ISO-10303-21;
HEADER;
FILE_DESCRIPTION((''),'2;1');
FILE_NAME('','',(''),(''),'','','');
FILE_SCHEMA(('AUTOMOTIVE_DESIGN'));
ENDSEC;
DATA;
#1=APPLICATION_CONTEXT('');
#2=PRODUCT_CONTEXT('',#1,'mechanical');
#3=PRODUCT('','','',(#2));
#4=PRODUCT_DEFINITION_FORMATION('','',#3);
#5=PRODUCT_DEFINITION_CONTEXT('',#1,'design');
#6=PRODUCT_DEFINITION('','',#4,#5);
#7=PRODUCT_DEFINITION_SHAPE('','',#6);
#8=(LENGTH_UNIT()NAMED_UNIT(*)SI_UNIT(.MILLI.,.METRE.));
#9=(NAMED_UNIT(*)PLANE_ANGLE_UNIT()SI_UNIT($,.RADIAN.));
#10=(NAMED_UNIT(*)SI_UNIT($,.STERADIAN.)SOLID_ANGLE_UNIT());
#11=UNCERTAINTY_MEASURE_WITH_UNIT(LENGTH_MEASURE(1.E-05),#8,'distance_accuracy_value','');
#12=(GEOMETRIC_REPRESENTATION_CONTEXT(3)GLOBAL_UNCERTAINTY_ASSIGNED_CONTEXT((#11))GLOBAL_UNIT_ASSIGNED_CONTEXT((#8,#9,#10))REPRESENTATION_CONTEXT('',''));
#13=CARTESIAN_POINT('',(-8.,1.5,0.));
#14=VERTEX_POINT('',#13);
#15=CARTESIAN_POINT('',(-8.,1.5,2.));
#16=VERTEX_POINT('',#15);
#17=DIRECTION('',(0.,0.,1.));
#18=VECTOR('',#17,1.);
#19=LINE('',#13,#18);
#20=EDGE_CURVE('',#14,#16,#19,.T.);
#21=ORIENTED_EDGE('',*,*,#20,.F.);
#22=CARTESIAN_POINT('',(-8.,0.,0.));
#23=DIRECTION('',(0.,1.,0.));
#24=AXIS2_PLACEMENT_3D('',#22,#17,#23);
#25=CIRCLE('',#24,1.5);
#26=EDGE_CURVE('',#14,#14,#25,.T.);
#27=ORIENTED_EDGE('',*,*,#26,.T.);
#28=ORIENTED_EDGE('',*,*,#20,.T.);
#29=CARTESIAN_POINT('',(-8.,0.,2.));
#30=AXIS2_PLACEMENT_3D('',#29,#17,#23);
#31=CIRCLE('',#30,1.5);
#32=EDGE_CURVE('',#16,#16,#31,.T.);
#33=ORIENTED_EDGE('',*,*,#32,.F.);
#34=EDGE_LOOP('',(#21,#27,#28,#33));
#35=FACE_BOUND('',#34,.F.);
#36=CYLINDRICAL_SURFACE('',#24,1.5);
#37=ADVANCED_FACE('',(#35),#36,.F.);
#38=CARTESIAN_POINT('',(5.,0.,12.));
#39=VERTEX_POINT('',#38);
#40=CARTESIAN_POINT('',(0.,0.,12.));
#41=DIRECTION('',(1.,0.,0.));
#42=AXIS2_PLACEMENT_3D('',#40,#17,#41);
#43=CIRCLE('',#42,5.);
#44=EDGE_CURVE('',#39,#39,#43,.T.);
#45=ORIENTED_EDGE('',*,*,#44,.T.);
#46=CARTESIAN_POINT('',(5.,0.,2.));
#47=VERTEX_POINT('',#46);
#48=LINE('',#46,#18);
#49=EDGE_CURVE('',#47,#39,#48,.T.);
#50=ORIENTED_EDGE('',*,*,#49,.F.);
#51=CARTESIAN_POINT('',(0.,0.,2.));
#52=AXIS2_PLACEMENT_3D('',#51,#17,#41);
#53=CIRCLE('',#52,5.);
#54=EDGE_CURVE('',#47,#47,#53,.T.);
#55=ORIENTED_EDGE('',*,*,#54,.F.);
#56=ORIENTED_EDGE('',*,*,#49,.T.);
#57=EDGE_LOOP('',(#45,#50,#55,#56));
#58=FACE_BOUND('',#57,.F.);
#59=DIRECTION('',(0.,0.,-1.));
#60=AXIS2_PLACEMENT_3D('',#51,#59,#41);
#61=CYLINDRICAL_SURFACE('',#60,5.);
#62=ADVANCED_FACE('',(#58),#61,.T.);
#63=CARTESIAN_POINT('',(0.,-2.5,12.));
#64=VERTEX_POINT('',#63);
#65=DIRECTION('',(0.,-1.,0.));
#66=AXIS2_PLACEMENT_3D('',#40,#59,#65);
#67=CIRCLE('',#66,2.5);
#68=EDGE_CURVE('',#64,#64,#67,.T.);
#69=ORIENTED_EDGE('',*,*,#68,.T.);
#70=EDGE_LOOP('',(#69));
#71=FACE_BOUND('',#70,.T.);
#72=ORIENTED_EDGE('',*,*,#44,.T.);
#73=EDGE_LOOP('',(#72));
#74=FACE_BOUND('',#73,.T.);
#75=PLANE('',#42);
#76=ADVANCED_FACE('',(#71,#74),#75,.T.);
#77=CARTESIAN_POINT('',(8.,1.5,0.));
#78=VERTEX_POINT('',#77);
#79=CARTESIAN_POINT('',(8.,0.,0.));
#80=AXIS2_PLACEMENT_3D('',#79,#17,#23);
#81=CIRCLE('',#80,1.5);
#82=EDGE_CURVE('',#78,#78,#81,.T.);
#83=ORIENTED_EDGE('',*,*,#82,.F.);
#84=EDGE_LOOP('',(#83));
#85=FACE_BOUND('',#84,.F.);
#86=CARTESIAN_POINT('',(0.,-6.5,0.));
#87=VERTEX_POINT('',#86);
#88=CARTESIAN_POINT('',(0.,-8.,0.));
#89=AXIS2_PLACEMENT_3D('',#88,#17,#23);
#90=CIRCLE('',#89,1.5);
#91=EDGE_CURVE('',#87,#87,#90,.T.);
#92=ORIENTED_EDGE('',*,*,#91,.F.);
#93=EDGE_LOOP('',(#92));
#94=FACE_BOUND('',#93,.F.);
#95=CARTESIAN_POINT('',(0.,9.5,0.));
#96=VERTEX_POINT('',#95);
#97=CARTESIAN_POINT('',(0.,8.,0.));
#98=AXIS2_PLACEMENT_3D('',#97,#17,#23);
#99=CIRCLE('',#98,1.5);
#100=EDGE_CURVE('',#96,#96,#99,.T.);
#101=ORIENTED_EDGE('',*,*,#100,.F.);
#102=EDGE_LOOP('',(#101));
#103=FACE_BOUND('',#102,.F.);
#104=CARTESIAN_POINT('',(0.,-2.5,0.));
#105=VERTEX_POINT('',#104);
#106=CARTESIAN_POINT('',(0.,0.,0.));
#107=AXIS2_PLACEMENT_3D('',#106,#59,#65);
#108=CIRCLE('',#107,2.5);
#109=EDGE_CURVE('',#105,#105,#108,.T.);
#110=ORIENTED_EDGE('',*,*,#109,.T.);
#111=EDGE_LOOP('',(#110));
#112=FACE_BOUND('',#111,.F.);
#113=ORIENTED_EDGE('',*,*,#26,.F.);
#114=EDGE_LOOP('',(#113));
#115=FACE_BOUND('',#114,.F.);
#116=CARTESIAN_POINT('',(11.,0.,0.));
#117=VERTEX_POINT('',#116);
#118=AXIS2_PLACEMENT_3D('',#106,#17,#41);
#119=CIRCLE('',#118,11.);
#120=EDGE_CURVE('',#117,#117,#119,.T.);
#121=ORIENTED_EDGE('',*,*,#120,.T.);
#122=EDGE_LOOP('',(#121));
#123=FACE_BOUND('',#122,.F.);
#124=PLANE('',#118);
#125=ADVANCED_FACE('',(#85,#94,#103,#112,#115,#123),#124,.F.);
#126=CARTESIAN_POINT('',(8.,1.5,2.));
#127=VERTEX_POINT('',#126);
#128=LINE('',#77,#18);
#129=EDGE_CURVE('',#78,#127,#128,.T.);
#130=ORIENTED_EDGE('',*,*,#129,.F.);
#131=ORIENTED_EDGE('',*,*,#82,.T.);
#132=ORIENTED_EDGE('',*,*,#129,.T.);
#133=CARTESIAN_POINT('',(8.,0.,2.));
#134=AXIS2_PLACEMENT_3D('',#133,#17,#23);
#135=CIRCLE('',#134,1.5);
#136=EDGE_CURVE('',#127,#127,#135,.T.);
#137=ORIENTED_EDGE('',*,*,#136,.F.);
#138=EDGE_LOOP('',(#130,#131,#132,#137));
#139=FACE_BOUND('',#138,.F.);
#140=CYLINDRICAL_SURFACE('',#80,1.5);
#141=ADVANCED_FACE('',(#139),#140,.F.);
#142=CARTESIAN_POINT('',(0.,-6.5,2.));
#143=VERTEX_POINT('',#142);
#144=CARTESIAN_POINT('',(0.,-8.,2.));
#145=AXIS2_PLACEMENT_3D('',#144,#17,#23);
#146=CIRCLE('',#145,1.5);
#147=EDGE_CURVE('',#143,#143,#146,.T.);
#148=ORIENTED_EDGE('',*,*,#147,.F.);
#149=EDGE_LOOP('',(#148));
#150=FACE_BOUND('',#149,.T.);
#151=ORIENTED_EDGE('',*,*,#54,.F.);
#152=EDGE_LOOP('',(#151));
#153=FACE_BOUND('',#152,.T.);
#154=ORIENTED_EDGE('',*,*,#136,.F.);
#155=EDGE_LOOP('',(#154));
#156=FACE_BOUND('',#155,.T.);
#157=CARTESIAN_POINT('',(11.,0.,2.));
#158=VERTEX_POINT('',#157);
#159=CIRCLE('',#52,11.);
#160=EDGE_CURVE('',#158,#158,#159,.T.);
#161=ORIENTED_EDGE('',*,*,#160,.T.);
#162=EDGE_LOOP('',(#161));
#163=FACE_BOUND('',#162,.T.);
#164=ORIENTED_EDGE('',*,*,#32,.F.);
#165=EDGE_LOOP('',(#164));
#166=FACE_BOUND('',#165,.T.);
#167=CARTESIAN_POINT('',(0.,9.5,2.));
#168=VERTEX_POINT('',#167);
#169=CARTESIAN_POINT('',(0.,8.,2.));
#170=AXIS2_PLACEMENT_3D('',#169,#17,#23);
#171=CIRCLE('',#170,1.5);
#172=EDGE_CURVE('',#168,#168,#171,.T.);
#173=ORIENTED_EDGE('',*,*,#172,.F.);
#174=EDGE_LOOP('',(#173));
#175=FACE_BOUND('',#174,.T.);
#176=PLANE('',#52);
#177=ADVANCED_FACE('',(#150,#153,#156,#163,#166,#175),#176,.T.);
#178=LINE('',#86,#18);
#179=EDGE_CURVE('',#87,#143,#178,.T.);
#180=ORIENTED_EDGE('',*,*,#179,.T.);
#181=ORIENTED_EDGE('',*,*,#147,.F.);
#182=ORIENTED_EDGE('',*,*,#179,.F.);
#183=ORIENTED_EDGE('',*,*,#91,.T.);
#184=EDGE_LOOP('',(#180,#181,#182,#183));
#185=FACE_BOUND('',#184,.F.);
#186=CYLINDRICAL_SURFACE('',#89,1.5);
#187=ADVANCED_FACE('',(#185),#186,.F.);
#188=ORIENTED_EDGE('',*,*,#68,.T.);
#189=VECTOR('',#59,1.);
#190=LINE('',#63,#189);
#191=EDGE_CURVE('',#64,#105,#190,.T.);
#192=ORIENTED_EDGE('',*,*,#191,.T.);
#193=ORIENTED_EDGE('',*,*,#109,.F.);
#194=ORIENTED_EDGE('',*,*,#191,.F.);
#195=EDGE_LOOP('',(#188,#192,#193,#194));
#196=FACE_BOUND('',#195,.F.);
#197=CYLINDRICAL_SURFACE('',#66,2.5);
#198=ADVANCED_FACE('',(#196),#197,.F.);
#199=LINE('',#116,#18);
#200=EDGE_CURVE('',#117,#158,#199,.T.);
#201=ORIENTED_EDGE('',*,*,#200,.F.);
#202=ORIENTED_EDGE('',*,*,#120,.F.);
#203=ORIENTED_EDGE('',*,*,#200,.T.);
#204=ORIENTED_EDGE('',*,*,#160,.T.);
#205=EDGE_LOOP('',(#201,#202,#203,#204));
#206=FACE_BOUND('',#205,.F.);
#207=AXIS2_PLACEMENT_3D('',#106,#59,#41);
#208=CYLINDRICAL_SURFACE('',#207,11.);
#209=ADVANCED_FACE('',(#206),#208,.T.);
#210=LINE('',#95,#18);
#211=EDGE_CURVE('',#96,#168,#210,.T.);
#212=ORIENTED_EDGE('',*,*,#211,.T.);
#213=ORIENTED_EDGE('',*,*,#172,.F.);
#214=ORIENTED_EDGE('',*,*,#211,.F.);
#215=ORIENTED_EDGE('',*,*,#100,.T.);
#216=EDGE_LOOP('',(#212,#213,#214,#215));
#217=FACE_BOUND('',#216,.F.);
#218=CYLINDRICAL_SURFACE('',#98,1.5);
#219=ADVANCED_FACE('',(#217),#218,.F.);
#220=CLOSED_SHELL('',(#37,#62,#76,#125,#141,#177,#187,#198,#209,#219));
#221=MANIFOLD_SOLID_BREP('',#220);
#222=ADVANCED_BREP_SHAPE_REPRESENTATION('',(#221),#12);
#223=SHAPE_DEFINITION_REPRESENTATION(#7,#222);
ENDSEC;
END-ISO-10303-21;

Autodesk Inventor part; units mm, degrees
ref_plane "YZ Plane" through (0, 0, 0) normal (1, 0, 0) x (0, 1, 0)
ref_plane "XZ Plane" through (0, 0, 0) normal (0, 1, 0) x (-1, 0, 0)
ref_plane "XY Plane" through (0, 0, 0) normal (0, 0, 1) x (1, 0, 0)
sketch "スケッチ1" plane through (0, 0, 0) normal (0, 0, 1) x (1, 0, 0)
  circle A0 centre (0, 0) radius 11
  dimension "d0" = 22
extrude "押し出し1" add sketch "スケッチ1" along normal blind 2
sketch "スケッチ2" plane through (0, 0, 2) normal (0, 0, 1) x (1, 0, 0)
  circle A0 centre (0, 0) radius 5
  dimension "d3" = 10
extrude "押し出し2" add sketch "スケッチ2" along normal blind 10
sketch "スケッチ3" plane through (0, 0, 12) normal (0, 0, 1) x (1, 0, 0)
  point P0 (0, 0)
  point P1 (0, 0)
hole "穴1" at (0, 0, 12) direction (0, 0, -1) diameter 5 end through all
sketch "スケッチ4" plane through (0, 0, 0) normal (0, 0, -1) x (-1, 0, 0)
  circle A0 centre (0, 0) radius 8 construction
  point P0 (0, 8)
  point P1 (8, 0)
  point P2 (-8, 0)
  point P3 (0, -8)
  dimension "d13" = 16
hole "穴2" at (0, 8, 0) at (-8, 0, 0) at (8, 0, 0) at (0, -8, 0) direction (0, 0, 1) diameter 3 end through all
properties part number "Flange1"
